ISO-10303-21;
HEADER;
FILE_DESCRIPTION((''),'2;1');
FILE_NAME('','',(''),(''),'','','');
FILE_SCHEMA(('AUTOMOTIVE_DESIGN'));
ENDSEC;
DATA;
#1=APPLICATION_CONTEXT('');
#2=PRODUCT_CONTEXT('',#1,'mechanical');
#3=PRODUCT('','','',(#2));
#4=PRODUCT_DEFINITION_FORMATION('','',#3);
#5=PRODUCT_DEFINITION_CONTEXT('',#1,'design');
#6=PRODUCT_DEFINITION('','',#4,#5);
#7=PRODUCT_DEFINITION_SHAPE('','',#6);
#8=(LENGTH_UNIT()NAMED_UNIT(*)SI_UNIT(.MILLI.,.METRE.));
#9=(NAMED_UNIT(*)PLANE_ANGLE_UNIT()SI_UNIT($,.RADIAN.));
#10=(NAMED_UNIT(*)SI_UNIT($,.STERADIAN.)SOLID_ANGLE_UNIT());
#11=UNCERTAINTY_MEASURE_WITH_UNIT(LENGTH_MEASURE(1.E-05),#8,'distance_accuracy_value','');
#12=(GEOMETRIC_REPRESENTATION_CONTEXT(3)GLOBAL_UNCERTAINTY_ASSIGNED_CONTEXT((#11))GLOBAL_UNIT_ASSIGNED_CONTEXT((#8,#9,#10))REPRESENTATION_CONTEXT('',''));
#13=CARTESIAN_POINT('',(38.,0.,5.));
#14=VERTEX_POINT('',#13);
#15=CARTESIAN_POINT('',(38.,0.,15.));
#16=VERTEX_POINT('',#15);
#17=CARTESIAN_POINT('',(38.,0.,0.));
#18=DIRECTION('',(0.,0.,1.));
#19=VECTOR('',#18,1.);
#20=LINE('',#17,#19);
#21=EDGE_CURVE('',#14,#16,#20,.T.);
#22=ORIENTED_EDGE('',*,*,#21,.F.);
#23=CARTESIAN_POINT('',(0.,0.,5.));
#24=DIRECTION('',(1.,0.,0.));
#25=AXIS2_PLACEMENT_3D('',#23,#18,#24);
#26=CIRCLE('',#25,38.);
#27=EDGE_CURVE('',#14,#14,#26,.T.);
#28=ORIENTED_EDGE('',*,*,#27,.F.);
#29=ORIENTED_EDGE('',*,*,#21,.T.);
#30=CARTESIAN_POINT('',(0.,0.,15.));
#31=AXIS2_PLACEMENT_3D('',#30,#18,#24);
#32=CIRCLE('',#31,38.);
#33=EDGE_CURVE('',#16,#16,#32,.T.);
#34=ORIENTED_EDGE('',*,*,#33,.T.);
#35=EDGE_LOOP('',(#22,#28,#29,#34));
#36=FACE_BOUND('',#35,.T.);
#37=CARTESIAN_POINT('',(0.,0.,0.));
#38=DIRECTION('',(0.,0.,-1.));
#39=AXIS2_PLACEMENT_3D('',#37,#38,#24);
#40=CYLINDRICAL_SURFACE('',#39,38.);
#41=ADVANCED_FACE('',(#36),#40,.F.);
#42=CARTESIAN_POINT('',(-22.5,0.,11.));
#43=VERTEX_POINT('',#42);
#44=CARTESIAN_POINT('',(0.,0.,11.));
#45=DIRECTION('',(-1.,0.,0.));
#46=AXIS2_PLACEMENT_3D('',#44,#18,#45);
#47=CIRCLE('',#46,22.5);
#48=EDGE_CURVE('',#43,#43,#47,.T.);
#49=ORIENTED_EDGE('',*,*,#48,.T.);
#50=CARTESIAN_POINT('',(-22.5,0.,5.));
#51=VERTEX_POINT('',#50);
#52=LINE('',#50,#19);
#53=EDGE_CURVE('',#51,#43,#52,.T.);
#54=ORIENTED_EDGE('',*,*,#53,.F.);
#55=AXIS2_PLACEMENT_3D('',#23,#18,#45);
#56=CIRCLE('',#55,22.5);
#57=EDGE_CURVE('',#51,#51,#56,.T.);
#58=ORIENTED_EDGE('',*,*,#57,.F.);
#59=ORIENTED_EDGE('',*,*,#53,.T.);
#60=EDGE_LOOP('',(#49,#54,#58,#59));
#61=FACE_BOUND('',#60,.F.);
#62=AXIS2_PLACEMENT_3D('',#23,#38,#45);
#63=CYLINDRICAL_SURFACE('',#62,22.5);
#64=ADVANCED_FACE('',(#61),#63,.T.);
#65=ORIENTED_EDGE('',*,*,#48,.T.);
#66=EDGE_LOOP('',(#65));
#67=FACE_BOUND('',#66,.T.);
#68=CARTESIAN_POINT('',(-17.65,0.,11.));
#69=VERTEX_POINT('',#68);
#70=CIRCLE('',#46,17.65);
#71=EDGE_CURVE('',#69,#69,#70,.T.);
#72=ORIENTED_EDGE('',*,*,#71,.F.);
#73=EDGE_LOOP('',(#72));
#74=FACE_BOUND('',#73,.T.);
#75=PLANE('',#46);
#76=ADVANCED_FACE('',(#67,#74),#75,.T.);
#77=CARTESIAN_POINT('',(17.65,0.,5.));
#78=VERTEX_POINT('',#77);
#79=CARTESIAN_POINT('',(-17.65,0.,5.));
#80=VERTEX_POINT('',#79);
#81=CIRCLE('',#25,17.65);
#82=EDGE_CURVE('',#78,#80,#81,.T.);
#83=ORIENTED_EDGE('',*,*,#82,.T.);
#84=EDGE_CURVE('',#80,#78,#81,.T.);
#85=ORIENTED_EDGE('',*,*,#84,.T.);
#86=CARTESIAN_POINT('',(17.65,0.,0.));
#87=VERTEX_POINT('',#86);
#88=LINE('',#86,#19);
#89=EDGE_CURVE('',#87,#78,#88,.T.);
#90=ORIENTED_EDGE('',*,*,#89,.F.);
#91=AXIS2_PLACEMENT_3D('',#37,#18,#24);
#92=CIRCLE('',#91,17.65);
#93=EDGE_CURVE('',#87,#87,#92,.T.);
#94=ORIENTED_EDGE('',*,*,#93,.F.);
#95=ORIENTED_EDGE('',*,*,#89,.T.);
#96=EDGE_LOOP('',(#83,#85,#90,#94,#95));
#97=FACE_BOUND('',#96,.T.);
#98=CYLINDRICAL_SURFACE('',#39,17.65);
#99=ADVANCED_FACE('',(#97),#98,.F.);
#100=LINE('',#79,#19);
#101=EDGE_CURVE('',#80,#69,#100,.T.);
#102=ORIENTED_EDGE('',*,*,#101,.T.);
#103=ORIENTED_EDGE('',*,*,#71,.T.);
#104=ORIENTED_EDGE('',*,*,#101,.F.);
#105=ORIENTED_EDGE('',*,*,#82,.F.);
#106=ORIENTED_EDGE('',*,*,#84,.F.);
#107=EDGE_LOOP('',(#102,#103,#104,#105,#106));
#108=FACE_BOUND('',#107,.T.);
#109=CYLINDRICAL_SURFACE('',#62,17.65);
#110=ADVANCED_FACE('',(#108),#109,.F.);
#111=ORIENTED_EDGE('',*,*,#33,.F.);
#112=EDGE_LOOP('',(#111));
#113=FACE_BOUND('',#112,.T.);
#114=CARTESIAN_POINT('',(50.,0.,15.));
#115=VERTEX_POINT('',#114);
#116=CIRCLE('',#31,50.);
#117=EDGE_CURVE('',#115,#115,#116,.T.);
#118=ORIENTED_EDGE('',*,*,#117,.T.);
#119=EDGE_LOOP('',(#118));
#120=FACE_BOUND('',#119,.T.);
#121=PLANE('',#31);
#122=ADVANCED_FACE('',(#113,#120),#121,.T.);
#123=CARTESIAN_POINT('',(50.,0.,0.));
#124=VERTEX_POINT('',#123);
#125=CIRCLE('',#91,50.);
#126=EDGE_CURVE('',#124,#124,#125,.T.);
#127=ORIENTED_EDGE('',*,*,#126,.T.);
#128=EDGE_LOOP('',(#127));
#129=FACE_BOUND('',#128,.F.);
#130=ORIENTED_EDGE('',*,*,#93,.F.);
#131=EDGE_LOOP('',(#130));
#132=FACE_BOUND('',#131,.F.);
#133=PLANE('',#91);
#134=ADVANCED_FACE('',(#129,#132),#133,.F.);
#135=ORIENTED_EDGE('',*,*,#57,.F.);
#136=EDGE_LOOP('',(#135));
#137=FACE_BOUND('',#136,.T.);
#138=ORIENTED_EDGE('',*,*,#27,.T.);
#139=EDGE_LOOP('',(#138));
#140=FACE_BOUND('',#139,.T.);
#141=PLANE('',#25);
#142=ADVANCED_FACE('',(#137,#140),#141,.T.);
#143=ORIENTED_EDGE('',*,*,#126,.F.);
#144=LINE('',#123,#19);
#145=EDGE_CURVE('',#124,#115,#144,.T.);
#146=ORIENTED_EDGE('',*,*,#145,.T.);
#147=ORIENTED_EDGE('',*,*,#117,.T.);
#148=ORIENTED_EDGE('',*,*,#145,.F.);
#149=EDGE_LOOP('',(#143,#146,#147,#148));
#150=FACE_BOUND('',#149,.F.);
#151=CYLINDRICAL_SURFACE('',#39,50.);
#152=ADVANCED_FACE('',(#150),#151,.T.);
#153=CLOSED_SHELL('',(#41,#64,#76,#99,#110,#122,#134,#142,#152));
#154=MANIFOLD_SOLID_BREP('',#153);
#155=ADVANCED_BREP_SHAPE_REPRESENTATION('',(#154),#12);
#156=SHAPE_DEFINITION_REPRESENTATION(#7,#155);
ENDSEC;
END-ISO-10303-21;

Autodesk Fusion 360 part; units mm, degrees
sketch "Sketch1" plane through (0, 0, 0) normal (0, 0, 1) x (1, 0, 0)
  circle A0 centre (0, 0) radius 17.65
  circle A1 centre (0, 0) radius 38
  circle A2 centre (0, 0) radius 50
  dimension "d1" = 35.3
  dimension "d2" = 76
  dimension "d3" = 100
extrude "Extrude1" add sketch "Sketch1" along normal blind 5 contours A1
extrude "Extrude2" add sketch "Sketch1" along normal blind 15 contours A2
sketch "Sketch2" plane through (0, 0, 5) normal (0, 0, 1) x (-1, 0, 0)
  circle A0 centre (0, 0) radius 17.65
  circle A1 centre (0, 0) radius 38
  circle A2 centre (0, 0) radius 22.5
  dimension "d8" = 45
extrude "Extrude3" add sketch "Sketch2" along normal blind 6 contours A2
